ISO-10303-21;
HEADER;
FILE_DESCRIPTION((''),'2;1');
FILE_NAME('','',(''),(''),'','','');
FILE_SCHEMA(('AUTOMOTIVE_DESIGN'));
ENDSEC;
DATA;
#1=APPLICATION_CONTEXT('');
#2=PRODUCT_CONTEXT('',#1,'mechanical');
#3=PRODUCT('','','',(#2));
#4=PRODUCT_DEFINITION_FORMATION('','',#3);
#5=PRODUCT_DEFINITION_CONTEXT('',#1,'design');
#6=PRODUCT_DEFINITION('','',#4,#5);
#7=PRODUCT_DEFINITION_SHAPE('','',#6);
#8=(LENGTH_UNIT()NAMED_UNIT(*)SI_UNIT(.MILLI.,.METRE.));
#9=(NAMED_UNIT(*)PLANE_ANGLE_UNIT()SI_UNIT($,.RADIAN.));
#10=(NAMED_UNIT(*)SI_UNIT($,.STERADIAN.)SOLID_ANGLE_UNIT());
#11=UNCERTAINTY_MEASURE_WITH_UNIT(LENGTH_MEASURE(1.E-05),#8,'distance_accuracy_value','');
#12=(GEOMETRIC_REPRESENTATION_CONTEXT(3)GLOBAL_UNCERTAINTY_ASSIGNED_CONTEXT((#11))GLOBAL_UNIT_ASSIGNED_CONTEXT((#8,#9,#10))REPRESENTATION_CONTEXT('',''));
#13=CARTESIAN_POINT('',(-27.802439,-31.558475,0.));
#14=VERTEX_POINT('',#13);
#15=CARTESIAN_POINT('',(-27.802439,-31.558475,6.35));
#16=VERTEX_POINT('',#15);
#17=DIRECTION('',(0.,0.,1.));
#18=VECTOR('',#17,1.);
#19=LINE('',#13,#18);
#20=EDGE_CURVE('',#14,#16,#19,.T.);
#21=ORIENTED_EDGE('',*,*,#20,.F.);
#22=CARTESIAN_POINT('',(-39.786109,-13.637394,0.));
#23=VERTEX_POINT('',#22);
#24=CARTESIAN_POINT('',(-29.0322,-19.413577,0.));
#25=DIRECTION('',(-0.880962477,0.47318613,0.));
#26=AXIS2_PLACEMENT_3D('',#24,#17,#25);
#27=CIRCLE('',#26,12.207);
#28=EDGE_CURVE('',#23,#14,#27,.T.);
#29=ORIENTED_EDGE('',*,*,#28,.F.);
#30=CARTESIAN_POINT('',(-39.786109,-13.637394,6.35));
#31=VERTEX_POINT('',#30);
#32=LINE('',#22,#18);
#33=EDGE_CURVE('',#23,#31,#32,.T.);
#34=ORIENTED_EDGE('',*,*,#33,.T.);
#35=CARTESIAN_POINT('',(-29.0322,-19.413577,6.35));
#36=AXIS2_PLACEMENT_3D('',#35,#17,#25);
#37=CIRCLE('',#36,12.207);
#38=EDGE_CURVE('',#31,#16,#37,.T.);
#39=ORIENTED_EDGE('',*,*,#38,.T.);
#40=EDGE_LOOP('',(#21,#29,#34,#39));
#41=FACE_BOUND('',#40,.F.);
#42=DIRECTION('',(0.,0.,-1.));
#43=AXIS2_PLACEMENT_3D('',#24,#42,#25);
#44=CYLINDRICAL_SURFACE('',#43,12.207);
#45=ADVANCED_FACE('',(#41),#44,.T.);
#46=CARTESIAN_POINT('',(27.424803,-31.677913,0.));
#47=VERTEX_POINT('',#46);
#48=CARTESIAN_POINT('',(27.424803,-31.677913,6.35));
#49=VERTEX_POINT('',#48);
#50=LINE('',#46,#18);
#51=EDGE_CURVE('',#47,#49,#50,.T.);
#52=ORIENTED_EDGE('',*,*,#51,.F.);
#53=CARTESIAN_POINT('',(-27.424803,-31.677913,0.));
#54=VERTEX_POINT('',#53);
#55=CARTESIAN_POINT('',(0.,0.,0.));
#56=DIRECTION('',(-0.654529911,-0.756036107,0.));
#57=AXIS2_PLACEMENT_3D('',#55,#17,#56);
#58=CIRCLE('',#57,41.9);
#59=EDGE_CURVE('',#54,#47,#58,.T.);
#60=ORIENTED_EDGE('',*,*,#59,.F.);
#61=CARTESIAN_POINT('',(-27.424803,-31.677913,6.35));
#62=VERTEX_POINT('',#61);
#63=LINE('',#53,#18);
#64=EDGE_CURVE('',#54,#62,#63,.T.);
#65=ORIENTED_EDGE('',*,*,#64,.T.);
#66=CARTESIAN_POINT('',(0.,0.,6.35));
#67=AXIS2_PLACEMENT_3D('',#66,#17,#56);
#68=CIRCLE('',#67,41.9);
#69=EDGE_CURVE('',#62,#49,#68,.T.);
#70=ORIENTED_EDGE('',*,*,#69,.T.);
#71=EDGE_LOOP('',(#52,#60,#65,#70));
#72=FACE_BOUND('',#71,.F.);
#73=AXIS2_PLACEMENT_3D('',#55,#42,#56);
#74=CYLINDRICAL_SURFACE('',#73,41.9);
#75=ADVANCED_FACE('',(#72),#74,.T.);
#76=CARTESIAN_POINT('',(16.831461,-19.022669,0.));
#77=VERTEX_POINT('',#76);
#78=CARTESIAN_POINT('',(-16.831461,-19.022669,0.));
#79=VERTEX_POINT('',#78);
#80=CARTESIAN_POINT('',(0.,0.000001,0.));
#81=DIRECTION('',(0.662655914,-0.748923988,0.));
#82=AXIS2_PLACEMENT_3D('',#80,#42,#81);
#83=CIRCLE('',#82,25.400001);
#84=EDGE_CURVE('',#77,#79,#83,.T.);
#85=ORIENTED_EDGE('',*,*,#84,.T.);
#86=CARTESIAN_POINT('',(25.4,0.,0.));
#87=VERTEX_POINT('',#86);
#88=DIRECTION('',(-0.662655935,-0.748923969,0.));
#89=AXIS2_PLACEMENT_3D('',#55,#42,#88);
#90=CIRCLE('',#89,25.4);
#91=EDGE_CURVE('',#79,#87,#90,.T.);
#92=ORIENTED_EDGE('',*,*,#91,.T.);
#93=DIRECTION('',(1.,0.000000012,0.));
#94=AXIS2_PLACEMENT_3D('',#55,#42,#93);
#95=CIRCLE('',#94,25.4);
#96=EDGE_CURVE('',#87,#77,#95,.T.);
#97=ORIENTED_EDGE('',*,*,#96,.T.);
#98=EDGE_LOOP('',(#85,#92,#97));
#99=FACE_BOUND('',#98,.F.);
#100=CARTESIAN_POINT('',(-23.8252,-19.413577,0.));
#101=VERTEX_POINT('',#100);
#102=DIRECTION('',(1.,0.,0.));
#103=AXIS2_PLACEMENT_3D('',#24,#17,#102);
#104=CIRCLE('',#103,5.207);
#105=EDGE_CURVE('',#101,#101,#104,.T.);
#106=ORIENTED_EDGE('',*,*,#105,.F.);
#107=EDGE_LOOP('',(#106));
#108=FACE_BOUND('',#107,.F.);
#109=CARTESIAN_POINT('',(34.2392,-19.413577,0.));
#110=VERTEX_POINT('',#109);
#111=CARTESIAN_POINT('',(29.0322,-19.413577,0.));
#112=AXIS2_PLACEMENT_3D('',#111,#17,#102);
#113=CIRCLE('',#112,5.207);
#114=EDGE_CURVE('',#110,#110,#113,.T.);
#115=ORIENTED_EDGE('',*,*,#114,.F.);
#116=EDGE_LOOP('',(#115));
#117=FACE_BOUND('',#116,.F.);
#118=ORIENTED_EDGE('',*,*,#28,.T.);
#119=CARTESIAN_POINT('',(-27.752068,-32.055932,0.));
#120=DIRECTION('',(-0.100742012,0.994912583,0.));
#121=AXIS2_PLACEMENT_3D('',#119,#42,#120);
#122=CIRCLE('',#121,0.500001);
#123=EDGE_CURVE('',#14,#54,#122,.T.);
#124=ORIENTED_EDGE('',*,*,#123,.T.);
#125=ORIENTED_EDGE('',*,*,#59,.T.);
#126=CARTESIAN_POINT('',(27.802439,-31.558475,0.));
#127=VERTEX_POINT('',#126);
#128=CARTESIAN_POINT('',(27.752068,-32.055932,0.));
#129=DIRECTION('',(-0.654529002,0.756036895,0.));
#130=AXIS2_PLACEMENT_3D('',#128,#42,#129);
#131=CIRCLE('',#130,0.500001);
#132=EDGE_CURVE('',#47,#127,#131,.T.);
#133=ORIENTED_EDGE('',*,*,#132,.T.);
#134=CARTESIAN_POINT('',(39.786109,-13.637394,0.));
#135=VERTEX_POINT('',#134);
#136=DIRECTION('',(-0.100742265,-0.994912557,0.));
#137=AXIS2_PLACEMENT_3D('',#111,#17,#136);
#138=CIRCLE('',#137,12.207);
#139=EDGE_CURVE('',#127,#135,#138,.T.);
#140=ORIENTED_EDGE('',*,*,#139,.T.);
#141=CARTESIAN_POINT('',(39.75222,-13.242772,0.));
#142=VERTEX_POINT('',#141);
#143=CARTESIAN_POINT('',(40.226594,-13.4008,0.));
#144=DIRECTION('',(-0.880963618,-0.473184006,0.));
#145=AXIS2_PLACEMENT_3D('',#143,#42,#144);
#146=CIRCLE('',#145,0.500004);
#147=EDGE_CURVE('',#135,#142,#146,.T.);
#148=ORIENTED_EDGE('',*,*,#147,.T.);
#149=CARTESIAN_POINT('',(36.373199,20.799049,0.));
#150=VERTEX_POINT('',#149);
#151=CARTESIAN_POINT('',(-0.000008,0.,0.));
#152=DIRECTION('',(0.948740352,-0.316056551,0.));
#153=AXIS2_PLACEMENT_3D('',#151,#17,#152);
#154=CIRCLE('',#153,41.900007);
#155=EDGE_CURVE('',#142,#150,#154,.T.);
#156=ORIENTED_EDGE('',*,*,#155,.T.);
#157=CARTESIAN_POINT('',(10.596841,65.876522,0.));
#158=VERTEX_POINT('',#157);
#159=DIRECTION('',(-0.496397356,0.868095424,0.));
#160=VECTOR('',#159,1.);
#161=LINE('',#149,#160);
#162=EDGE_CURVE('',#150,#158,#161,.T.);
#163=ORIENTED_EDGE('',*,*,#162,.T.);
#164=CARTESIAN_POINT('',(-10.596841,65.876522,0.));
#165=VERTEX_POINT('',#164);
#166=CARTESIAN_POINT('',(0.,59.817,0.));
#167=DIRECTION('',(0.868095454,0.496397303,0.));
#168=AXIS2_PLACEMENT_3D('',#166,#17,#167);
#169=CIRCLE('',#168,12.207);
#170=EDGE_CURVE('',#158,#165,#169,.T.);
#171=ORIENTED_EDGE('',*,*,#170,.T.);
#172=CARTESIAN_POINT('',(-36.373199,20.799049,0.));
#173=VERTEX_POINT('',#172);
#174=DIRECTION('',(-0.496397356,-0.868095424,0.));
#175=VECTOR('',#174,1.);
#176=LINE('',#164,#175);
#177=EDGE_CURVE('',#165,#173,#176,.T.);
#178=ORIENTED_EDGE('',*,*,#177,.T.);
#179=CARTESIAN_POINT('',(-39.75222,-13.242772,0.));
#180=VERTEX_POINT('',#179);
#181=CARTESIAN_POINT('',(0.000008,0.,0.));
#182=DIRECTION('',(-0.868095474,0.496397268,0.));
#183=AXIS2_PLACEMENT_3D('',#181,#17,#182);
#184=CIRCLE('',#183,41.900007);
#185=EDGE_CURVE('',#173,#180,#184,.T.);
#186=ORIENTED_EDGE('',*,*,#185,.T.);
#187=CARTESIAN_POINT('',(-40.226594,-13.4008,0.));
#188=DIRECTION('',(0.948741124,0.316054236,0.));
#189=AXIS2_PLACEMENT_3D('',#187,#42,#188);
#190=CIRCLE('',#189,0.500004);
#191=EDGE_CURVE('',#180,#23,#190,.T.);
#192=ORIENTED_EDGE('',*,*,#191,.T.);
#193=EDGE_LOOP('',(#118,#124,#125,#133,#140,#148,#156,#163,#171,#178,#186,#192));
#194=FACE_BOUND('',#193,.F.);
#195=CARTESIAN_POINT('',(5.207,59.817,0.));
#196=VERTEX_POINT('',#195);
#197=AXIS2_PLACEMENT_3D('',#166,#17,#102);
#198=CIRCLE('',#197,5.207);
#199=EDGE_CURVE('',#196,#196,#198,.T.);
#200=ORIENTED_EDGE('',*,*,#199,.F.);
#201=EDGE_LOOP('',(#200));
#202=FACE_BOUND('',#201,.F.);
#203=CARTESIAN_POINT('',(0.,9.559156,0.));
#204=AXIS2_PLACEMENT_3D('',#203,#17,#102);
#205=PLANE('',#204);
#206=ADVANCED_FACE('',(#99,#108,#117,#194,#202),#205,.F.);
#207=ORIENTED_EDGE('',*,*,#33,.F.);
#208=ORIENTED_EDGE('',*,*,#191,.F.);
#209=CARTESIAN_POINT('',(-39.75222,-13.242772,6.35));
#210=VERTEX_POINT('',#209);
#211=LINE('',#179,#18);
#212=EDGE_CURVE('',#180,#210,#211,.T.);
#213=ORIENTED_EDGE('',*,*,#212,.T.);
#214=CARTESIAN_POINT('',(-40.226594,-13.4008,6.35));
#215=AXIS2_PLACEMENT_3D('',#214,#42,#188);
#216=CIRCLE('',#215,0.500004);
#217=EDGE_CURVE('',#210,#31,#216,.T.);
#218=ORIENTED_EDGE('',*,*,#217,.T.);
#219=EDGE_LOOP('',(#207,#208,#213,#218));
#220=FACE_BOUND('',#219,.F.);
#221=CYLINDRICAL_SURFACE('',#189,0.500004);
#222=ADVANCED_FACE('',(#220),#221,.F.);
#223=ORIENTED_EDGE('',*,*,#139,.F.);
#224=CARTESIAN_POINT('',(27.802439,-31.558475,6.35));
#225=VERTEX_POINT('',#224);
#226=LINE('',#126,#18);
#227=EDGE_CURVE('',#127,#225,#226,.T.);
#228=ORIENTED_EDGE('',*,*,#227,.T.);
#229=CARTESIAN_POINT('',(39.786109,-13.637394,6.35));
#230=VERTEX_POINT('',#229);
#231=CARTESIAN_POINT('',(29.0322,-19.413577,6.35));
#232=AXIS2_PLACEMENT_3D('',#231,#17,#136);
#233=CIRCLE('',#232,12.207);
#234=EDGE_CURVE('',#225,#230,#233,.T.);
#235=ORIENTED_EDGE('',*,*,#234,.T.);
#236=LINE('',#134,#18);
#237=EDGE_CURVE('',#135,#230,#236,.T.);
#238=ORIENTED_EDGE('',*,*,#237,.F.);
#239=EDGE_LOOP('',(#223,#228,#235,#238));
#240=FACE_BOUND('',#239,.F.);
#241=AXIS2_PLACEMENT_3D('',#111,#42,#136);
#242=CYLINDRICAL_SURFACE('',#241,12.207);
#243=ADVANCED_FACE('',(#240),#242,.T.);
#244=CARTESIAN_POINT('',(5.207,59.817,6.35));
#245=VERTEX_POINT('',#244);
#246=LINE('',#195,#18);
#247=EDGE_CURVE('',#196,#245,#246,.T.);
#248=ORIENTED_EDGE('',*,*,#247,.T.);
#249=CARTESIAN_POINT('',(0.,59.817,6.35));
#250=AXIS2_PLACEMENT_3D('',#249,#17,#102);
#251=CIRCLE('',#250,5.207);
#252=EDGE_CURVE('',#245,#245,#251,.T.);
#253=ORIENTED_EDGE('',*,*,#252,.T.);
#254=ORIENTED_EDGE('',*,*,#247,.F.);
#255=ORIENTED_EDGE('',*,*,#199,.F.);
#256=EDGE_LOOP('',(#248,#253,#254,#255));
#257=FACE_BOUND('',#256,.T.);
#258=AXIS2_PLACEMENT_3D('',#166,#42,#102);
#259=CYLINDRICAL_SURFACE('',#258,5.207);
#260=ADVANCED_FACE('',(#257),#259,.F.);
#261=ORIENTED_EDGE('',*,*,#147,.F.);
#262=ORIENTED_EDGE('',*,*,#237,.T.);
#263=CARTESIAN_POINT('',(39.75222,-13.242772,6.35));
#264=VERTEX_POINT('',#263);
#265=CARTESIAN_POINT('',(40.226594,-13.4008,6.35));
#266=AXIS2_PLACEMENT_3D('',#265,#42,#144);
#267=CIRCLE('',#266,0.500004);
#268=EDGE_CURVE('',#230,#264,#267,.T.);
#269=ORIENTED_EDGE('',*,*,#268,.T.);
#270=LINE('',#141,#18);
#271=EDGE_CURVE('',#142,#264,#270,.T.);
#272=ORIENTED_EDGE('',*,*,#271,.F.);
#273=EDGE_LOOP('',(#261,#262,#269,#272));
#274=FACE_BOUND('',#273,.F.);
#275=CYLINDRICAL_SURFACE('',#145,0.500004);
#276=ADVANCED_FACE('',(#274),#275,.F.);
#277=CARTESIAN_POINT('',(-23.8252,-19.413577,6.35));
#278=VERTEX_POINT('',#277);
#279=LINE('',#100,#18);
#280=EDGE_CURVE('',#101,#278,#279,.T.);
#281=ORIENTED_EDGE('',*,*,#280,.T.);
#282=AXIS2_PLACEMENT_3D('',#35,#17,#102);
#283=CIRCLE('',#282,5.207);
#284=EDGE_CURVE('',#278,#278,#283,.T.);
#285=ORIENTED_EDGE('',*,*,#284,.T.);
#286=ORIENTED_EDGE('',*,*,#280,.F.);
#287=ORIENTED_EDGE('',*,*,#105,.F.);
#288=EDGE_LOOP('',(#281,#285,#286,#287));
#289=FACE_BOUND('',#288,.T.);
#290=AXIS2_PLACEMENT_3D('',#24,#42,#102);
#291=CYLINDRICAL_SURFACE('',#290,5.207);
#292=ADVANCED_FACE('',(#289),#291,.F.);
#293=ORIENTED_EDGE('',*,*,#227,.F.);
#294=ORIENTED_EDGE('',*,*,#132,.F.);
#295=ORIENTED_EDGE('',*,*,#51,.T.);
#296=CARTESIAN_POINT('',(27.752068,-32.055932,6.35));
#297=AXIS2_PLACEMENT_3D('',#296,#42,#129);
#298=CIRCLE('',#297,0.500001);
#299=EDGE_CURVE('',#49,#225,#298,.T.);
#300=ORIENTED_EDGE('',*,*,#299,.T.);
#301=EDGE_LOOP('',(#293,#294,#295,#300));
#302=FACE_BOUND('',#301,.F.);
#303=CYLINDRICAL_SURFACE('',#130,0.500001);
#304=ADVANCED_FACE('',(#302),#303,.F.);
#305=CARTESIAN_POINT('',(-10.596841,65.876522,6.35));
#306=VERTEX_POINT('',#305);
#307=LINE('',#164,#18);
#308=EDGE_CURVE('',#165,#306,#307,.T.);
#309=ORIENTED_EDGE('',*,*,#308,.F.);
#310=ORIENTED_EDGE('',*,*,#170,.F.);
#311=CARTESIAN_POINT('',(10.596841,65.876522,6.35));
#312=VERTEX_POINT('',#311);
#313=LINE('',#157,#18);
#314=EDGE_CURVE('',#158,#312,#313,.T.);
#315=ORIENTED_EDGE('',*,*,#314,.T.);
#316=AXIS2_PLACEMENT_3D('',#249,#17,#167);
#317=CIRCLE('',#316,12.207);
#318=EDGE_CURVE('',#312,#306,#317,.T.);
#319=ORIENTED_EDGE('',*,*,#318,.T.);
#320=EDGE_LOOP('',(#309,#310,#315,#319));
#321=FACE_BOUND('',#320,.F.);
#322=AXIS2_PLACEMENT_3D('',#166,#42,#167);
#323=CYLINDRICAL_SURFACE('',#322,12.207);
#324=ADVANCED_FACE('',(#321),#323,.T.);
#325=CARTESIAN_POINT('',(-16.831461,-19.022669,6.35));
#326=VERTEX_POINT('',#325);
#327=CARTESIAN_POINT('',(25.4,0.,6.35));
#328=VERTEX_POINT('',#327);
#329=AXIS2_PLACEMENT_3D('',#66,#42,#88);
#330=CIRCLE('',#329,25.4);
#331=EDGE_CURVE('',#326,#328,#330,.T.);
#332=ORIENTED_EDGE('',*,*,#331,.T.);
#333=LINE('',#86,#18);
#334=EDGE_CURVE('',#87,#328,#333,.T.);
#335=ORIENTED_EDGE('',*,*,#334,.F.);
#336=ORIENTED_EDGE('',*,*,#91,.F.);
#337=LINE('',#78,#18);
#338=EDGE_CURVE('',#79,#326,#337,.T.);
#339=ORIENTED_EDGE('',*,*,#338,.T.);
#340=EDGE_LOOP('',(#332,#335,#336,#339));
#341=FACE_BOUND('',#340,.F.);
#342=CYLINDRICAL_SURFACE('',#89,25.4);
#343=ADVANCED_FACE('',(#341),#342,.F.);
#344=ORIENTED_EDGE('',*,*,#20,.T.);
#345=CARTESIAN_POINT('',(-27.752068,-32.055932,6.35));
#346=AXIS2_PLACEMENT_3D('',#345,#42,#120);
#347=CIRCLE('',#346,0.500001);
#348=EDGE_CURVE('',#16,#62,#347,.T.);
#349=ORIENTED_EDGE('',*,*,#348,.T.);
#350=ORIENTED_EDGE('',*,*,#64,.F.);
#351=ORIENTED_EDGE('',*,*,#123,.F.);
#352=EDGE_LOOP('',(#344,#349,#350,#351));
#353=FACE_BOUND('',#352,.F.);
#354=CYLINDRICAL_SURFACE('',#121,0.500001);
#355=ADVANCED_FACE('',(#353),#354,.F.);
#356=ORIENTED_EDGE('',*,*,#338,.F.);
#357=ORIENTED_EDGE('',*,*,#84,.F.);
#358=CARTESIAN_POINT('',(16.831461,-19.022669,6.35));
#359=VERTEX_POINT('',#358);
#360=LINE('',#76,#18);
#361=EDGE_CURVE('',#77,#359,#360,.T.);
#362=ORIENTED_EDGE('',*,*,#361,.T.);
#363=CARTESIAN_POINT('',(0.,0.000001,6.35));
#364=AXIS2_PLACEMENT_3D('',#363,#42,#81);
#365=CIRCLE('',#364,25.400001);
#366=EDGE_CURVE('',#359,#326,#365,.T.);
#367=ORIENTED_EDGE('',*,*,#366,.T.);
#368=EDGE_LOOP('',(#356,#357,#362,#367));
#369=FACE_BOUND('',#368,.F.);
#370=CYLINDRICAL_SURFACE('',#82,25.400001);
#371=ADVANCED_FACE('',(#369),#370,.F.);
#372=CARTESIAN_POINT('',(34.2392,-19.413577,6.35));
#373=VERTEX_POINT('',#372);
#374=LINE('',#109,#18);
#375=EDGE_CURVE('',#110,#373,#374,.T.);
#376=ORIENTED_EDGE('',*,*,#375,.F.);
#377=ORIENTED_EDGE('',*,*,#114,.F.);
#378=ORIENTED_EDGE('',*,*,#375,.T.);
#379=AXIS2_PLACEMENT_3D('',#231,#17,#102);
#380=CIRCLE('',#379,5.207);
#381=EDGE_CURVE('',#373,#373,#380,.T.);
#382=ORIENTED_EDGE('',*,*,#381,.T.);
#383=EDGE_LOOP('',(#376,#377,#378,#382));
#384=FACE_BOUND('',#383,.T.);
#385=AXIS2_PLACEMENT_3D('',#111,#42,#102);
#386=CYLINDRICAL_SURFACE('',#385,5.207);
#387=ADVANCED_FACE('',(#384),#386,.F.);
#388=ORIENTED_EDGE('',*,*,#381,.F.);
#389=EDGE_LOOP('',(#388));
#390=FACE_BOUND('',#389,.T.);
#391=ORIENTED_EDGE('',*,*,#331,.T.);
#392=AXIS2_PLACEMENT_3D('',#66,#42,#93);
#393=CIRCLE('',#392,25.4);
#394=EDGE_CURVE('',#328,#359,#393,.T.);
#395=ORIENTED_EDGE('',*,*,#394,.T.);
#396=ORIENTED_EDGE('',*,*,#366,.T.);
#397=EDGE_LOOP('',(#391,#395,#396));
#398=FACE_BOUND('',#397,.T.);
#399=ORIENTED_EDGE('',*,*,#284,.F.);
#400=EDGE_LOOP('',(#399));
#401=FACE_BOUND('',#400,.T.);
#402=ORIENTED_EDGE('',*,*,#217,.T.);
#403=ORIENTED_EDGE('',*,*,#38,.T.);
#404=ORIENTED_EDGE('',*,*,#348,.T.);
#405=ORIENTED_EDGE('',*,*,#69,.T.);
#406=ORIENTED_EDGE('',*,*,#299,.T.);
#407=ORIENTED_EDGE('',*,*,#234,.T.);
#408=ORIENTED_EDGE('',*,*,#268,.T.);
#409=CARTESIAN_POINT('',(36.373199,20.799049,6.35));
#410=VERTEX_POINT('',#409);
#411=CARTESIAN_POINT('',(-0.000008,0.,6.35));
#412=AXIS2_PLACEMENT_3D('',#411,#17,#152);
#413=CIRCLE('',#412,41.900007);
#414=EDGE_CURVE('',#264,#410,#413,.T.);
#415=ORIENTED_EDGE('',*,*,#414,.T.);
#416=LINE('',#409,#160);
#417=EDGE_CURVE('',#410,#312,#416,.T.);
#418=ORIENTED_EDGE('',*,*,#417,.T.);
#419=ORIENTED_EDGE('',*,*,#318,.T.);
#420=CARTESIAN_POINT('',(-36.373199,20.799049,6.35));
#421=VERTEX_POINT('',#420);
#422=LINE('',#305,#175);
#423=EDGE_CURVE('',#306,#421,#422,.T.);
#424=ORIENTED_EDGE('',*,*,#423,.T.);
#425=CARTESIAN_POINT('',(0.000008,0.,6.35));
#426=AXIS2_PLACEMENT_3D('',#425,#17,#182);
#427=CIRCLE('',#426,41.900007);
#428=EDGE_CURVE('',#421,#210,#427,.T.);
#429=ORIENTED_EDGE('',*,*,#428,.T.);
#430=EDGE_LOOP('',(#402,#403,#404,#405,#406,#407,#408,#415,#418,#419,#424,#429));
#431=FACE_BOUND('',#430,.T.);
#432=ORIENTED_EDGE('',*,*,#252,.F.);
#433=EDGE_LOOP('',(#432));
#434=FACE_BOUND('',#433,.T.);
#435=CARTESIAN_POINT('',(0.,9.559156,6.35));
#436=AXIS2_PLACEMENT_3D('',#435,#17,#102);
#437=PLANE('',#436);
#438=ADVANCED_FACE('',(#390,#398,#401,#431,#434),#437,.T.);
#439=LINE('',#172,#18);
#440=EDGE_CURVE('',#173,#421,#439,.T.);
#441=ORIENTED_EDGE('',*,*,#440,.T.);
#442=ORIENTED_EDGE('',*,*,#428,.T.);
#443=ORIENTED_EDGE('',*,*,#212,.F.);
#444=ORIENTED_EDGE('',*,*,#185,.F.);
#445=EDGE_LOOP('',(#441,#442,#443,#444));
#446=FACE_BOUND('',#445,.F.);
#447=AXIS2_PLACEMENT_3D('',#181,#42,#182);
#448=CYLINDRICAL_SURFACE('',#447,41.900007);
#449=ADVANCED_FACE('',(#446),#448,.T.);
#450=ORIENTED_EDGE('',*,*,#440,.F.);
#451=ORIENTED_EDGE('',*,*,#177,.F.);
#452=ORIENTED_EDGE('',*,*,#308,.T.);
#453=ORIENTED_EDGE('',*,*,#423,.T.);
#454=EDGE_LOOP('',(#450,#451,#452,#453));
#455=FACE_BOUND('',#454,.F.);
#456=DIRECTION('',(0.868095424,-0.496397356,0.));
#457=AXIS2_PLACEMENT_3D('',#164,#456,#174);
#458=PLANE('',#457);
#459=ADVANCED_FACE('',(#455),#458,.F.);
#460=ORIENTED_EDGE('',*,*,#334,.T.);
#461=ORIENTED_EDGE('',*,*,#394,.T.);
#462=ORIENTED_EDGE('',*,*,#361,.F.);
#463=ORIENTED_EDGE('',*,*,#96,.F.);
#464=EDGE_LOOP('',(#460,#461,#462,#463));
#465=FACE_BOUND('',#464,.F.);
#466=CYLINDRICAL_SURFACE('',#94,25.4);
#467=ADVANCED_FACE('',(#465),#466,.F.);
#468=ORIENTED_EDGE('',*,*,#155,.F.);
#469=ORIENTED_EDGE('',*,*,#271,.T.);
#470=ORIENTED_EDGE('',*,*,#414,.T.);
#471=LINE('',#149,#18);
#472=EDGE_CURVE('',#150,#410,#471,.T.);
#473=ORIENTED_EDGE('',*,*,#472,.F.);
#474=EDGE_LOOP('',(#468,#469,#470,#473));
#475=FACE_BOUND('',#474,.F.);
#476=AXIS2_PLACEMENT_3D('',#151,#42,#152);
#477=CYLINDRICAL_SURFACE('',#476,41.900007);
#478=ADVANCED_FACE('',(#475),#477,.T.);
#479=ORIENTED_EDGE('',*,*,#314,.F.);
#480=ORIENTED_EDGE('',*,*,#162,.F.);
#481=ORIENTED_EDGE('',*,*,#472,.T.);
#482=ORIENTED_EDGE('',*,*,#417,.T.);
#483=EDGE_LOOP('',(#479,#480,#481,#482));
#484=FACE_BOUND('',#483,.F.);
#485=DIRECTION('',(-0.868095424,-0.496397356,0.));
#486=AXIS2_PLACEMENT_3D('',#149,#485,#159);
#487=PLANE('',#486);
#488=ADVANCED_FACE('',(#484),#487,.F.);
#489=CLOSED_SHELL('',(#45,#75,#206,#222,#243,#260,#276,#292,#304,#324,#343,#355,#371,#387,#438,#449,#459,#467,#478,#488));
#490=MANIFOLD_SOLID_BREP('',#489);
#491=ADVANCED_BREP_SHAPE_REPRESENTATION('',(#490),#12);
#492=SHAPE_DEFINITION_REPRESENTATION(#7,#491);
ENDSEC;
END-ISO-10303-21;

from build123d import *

# Parameters (mm, degrees)
F0_R     = 5.207
F1_DEPTH = 6.35


with BuildPart() as f1:
    # F0 (on Top) → F1 (new body)
    with BuildSketch(Plane.XY):
        with BuildLine():
            Line((36.373199, 20.799049), (10.596841, 65.876522))
            ThreePointArc((10.596841, 65.876522), (0, 72.024), (-10.596841, 65.876522))
            Line((-10.596841, 65.876522), (-36.373199, 20.799049))
            ThreePointArc((-36.373199, 20.799049), (-41.695098, 4.138692), (-39.75222, -13.242772))
            ThreePointArc((-39.75222, -13.242772), (-39.728424, -13.443582), (-39.786109, -13.637394))
            ThreePointArc((-39.786109, -13.637394), (-39.179546, -26.199019), (-27.802439, -31.558475))
            ThreePointArc((-27.802439, -31.558475), (-27.60129, -31.579207), (-27.424803, -31.677913))
            ThreePointArc((-27.424803, -31.677913), (0, -41.9), (27.424803, -31.677913))
            ThreePointArc((27.424803, -31.677913), (27.60129, -31.579207), (27.802439, -31.558475))
            ThreePointArc((27.802439, -31.558475), (39.179546, -26.199019), (39.786109, -13.637394))
            ThreePointArc((39.786109, -13.637394), (39.728424, -13.443582), (39.75222, -13.242772))
            ThreePointArc((39.75222, -13.242772), (41.695098, 4.138692), (36.373199, 20.799049))
        make_face()
        with Locations((-29.0322, -19.413577)):
            Circle(F0_R, mode=Mode.SUBTRACT)
        with Locations((29.0322, -19.413577)):
            Circle(F0_R, mode=Mode.SUBTRACT)
        with BuildLine():
            ThreePointArc((-16.831461, -19.022669), (-10.431704, 23.159006), (25.4, 0))
            ThreePointArc((25.4, 0), (23.159006, -10.431704), (16.831461, -19.022669))
            ThreePointArc((16.831461, -19.022669), (0, -25.4), (-16.831461, -19.022669))
        make_face(mode=Mode.SUBTRACT)
        with Locations((0, 59.817)):
            Circle(F0_R, mode=Mode.SUBTRACT)
    extrude(amount=F1_DEPTH)


solid = f1.part
